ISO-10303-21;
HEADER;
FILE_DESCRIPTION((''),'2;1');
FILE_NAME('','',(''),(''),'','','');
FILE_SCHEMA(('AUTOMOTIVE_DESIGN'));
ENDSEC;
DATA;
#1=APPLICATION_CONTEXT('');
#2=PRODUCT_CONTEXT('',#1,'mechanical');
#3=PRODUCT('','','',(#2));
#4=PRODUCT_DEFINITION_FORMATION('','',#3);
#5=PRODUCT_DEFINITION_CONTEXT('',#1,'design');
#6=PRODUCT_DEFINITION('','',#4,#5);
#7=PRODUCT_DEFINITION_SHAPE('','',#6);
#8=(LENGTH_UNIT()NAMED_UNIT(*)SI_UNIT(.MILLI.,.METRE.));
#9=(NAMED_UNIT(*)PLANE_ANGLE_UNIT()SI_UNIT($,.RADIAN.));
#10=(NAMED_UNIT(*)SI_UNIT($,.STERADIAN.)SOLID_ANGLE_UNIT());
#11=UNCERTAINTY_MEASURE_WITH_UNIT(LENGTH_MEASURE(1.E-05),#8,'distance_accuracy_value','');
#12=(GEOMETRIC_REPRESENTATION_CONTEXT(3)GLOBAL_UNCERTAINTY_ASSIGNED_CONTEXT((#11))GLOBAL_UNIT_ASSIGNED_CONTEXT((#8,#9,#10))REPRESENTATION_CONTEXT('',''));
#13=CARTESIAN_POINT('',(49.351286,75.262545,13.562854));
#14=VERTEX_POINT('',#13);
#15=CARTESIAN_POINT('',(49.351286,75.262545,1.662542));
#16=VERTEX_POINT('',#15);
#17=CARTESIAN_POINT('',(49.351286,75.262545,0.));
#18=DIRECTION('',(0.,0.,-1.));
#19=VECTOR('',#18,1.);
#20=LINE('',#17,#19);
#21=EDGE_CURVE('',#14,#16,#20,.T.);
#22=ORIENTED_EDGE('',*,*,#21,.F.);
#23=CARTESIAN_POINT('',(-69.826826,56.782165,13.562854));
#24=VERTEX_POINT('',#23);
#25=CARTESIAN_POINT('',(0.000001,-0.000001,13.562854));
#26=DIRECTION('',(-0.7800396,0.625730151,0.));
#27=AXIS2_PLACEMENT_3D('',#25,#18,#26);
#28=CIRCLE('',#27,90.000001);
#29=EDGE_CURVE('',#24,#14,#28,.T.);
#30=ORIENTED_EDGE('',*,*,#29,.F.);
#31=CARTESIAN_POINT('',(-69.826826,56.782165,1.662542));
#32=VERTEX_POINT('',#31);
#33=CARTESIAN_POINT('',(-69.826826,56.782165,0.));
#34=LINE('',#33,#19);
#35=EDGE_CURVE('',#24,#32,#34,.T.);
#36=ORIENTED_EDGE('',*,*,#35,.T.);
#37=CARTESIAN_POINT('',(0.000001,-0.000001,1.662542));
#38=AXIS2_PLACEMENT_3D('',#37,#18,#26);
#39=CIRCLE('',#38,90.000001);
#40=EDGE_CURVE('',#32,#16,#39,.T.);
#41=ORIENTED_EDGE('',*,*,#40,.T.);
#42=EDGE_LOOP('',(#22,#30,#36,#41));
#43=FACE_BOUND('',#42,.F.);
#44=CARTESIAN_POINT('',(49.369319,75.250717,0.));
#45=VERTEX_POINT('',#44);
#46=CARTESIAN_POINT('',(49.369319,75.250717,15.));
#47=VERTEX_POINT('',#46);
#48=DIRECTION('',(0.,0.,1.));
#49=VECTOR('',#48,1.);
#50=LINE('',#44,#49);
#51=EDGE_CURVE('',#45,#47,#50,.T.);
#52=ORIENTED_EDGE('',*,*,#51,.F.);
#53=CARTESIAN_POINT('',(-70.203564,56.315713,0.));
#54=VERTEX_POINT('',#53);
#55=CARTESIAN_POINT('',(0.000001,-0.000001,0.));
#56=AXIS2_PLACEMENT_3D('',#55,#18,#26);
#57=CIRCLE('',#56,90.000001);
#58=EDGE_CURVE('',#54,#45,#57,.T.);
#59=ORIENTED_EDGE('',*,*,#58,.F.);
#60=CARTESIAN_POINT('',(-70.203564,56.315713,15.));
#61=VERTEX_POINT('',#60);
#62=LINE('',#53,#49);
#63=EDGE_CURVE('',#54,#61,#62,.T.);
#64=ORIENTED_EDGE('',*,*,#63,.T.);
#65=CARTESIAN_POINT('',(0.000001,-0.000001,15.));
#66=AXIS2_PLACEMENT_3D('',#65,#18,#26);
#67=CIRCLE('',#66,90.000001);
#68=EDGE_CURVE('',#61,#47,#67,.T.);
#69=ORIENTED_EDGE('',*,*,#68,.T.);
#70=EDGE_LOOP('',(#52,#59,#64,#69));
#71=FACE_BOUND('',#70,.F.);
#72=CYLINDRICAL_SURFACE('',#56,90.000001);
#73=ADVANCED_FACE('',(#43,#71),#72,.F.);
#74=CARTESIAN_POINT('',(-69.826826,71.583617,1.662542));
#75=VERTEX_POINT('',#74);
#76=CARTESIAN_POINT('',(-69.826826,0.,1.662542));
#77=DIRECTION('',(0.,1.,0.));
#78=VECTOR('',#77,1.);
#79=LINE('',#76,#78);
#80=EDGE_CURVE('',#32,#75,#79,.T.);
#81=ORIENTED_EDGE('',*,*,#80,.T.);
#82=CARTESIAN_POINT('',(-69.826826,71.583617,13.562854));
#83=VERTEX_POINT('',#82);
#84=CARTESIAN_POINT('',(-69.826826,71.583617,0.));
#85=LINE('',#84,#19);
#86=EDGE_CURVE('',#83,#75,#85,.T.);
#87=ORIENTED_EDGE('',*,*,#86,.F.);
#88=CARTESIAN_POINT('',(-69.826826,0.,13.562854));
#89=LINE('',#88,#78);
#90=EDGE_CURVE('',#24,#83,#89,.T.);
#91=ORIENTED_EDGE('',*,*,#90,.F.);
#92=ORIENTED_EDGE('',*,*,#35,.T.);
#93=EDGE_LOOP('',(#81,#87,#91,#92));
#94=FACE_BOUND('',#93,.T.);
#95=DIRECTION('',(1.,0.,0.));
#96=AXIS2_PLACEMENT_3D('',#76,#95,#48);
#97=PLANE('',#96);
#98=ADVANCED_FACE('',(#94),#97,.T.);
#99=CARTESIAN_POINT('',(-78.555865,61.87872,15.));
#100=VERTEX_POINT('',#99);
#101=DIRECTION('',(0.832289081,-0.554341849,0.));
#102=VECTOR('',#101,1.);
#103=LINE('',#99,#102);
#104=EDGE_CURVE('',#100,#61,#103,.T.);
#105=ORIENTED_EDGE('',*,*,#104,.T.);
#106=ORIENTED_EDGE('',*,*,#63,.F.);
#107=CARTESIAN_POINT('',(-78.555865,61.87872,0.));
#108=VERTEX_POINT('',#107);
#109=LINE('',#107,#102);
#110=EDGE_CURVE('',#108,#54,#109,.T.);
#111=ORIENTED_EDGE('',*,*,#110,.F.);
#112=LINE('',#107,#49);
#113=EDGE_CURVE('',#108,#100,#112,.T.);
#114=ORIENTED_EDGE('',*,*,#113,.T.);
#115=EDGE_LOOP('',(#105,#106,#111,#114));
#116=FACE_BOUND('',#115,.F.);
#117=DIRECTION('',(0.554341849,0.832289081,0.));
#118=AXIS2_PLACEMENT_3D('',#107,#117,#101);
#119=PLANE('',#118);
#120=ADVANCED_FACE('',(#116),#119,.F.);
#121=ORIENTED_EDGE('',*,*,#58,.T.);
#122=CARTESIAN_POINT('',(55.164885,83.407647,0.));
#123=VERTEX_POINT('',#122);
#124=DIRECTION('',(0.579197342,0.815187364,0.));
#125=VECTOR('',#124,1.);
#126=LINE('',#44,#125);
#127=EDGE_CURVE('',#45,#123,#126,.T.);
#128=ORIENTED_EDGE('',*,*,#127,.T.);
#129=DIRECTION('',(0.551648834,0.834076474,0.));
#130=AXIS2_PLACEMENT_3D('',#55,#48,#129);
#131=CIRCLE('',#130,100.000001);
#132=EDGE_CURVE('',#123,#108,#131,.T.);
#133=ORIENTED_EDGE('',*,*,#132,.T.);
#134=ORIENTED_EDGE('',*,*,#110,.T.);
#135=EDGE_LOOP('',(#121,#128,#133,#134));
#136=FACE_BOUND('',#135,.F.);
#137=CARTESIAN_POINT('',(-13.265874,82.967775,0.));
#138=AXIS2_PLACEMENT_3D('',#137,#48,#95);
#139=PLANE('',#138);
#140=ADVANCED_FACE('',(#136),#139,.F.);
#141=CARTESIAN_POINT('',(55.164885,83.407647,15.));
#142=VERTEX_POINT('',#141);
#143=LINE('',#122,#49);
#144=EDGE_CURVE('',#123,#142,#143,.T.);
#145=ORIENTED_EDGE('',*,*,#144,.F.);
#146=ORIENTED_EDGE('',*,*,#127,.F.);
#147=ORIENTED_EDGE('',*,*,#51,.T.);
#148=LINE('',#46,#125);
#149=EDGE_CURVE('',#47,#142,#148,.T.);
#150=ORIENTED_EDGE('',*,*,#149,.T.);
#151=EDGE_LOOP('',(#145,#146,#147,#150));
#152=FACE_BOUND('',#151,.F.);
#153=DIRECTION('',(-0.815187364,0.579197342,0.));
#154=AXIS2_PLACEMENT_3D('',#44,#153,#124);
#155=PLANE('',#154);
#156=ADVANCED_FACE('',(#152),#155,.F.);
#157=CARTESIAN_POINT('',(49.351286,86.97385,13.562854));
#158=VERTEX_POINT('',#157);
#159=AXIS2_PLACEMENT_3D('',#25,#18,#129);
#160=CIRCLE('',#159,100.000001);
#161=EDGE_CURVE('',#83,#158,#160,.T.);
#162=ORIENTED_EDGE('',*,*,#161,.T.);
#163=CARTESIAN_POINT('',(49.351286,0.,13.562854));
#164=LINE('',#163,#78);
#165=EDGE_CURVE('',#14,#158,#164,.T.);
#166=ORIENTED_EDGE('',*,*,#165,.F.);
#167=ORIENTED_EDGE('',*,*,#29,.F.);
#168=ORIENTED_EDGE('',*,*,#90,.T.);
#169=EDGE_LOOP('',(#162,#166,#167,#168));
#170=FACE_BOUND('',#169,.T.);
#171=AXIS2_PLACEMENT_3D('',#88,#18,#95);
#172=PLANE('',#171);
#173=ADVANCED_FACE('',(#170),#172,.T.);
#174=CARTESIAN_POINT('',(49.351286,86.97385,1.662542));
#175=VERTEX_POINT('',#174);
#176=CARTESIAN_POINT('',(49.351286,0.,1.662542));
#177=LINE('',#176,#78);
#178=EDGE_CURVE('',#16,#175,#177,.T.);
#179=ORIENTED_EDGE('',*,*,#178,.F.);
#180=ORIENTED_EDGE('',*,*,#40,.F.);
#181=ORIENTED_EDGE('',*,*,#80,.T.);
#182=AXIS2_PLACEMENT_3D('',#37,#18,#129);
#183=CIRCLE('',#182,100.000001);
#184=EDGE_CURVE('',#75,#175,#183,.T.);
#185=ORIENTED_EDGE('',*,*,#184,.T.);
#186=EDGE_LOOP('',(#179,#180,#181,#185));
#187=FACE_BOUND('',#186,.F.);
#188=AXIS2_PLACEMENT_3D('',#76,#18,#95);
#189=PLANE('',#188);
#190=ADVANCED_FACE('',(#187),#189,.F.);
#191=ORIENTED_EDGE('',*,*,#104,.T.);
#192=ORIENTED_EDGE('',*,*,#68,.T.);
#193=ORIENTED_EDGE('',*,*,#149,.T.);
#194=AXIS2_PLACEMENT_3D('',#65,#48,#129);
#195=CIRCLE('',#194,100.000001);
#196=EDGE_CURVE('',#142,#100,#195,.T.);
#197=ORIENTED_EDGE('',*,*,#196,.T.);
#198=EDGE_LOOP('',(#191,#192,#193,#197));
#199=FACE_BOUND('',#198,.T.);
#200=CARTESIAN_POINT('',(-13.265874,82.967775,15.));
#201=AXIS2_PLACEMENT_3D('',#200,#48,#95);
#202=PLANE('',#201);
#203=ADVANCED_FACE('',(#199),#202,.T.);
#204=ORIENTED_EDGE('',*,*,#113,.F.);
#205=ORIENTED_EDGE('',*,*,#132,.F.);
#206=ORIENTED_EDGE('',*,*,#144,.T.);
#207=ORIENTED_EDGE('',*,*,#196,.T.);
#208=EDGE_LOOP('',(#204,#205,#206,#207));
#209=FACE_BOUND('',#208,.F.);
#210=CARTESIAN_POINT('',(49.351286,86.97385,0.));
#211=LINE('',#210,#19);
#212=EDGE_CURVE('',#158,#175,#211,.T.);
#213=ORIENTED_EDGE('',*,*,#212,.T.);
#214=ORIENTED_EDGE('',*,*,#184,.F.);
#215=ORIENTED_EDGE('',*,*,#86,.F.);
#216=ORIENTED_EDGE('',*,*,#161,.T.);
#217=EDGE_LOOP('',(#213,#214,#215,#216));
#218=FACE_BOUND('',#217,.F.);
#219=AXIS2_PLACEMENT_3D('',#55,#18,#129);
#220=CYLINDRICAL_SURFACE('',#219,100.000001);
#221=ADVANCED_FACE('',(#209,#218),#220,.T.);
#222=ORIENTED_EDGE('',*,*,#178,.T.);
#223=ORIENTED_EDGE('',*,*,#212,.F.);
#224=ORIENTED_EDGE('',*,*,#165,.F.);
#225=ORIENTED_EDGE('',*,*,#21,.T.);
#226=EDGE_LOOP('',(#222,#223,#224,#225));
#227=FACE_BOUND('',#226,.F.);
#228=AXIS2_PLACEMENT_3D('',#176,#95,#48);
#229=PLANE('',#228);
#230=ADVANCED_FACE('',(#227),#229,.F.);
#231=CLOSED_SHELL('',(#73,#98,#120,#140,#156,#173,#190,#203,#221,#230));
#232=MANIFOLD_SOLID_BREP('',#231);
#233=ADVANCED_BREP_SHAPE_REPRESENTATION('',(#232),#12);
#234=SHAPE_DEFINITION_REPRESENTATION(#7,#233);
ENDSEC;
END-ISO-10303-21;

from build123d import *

# Parameters (mm, degrees)
F1_DEPTH = 15
F2_W     = 119.178112
F2_H     = 11.900312
F3_DEPTH = 100.001


with BuildPart() as f1:
    # F0 (on Top) → F1 (new body)
    with BuildSketch(Plane.XY):
        with BuildLine():
            ThreePointArc((-70.203564, 56.315713), (-14.076578, 88.89235), (49.369319, 75.250717))
            Line((49.369319, 75.250717), (55.164885, 83.407647))
            ThreePointArc((55.164885, 83.407647), (-15.895224, 98.728627), (-78.555865, 61.87872))
            Line((-78.555865, 61.87872), (-70.203564, 56.315713))
        make_face()
    extrude(amount=F1_DEPTH)

    # F2 (on Front) → F3 (cut, through all)
    with BuildSketch(Plane.XZ):
        with Locations((-10.23777, 7.612698)):
            Rectangle(F2_W, F2_H)
    extrude(amount=-F3_DEPTH, mode=Mode.SUBTRACT)


solid = f1.part
